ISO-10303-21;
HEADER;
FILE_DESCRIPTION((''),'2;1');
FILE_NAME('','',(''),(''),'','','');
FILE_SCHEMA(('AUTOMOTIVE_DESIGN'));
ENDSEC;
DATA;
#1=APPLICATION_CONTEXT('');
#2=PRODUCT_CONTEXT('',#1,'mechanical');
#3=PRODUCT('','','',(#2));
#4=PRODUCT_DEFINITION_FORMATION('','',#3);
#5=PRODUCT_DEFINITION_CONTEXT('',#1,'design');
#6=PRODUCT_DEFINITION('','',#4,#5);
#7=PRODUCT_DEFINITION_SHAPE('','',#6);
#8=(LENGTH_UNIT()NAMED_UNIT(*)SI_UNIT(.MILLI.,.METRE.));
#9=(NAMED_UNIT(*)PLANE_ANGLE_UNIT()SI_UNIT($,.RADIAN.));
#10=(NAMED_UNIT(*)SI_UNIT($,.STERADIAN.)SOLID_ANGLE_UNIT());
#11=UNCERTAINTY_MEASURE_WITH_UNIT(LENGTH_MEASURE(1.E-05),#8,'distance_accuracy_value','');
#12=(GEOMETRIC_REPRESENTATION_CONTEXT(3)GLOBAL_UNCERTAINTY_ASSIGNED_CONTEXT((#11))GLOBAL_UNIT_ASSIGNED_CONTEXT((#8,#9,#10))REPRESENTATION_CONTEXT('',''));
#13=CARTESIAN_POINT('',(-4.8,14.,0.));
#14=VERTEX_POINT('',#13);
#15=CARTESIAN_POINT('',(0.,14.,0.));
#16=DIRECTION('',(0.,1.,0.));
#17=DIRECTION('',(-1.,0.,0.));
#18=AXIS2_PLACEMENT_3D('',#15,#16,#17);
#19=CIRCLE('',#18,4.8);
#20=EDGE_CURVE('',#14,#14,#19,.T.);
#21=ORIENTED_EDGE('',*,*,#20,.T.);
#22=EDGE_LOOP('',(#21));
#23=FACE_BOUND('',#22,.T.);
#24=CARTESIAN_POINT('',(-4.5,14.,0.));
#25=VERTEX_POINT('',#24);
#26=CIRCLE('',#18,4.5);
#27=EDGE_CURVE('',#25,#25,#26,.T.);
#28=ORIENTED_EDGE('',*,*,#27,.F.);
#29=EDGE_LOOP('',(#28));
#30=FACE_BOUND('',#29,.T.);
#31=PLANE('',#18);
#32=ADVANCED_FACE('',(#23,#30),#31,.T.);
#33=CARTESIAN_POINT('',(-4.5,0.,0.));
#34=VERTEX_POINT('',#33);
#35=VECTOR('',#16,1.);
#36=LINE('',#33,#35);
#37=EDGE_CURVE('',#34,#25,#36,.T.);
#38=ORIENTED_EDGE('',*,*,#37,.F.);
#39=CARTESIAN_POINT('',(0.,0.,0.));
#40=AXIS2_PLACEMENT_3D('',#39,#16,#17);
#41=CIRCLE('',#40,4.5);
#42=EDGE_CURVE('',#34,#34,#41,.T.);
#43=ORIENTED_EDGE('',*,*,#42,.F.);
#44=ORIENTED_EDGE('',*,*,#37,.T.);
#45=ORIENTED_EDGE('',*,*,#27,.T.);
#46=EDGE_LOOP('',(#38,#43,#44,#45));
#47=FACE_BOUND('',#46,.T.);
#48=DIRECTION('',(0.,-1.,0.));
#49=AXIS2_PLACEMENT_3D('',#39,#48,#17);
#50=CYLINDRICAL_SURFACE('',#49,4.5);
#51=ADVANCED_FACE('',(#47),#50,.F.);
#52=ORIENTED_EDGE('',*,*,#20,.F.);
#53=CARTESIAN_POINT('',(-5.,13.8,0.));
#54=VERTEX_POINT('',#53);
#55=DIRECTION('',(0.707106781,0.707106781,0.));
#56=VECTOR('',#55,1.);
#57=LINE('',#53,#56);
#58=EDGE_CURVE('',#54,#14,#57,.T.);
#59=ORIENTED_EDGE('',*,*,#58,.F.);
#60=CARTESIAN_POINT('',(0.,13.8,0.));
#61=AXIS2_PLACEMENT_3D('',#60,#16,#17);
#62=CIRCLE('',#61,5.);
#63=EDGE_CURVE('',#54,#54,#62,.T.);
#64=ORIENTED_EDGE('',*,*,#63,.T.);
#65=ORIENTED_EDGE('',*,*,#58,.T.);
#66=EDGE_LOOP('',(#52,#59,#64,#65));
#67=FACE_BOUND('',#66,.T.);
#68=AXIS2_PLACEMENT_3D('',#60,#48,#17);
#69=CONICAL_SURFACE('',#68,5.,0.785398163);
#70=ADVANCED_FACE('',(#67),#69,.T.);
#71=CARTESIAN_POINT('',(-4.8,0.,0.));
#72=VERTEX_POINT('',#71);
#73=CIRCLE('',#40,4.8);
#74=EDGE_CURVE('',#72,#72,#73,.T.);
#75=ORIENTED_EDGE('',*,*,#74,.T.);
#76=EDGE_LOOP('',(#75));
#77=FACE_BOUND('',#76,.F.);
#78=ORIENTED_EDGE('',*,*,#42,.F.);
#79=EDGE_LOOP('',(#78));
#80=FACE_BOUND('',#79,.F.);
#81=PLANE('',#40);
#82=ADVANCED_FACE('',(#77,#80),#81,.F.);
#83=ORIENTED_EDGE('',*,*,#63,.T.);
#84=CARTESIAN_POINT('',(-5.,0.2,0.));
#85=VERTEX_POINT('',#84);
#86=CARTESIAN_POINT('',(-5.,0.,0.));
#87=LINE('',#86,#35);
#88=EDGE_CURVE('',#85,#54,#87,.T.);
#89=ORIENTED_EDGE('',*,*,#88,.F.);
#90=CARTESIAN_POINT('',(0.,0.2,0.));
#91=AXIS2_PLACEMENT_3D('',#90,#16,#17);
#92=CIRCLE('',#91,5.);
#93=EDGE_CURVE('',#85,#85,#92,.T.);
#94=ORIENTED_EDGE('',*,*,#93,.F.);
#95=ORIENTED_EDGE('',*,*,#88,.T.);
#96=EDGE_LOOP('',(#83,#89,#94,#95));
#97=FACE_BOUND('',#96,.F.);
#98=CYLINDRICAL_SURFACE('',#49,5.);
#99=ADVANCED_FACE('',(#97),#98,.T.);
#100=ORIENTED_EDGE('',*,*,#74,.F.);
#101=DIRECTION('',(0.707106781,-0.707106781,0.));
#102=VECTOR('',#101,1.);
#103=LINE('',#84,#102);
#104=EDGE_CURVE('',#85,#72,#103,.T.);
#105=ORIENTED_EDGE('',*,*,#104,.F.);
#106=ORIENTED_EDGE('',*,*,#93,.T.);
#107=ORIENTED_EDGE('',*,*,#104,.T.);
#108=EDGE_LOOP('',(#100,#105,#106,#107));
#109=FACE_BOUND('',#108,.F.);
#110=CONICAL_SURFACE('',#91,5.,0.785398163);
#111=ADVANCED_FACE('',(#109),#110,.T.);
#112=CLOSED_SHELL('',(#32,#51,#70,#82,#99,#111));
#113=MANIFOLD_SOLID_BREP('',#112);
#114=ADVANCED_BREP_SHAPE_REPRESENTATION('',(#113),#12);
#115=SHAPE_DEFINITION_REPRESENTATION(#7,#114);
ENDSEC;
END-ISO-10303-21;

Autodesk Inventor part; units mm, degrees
ref_plane "YZ Plane" through (0, 0, 0) normal (1, 0, 0) x (0, 1, 0)
ref_plane "XZ Plane" through (0, 0, 0) normal (0, 1, 0) x (-1, 0, 0)
ref_plane "XY Plane" through (0, 0, 0) normal (0, 0, 1) x (1, 0, 0)
sketch "Sketch1" plane through (0, 0, 0) normal (0, 1, 0) x (-1, 0, 0)
  circle A0 centre (0, 0) radius 5
  circle A1 centre (0, 0) radius 4.5
  dimension "d0" = 10
  dimension "d1" = 9
extrude "Extrusion1" add sketch "Sketch1" along normal blind 14
chamfer "Chamfer1" distance 0.2 angle 45 1 edges at (5, 14, 0)
chamfer "Chamfer2" distance 0.2 angle 45 1 edges at (5, 0, 0)
properties material "Acetal Resin, Black"
